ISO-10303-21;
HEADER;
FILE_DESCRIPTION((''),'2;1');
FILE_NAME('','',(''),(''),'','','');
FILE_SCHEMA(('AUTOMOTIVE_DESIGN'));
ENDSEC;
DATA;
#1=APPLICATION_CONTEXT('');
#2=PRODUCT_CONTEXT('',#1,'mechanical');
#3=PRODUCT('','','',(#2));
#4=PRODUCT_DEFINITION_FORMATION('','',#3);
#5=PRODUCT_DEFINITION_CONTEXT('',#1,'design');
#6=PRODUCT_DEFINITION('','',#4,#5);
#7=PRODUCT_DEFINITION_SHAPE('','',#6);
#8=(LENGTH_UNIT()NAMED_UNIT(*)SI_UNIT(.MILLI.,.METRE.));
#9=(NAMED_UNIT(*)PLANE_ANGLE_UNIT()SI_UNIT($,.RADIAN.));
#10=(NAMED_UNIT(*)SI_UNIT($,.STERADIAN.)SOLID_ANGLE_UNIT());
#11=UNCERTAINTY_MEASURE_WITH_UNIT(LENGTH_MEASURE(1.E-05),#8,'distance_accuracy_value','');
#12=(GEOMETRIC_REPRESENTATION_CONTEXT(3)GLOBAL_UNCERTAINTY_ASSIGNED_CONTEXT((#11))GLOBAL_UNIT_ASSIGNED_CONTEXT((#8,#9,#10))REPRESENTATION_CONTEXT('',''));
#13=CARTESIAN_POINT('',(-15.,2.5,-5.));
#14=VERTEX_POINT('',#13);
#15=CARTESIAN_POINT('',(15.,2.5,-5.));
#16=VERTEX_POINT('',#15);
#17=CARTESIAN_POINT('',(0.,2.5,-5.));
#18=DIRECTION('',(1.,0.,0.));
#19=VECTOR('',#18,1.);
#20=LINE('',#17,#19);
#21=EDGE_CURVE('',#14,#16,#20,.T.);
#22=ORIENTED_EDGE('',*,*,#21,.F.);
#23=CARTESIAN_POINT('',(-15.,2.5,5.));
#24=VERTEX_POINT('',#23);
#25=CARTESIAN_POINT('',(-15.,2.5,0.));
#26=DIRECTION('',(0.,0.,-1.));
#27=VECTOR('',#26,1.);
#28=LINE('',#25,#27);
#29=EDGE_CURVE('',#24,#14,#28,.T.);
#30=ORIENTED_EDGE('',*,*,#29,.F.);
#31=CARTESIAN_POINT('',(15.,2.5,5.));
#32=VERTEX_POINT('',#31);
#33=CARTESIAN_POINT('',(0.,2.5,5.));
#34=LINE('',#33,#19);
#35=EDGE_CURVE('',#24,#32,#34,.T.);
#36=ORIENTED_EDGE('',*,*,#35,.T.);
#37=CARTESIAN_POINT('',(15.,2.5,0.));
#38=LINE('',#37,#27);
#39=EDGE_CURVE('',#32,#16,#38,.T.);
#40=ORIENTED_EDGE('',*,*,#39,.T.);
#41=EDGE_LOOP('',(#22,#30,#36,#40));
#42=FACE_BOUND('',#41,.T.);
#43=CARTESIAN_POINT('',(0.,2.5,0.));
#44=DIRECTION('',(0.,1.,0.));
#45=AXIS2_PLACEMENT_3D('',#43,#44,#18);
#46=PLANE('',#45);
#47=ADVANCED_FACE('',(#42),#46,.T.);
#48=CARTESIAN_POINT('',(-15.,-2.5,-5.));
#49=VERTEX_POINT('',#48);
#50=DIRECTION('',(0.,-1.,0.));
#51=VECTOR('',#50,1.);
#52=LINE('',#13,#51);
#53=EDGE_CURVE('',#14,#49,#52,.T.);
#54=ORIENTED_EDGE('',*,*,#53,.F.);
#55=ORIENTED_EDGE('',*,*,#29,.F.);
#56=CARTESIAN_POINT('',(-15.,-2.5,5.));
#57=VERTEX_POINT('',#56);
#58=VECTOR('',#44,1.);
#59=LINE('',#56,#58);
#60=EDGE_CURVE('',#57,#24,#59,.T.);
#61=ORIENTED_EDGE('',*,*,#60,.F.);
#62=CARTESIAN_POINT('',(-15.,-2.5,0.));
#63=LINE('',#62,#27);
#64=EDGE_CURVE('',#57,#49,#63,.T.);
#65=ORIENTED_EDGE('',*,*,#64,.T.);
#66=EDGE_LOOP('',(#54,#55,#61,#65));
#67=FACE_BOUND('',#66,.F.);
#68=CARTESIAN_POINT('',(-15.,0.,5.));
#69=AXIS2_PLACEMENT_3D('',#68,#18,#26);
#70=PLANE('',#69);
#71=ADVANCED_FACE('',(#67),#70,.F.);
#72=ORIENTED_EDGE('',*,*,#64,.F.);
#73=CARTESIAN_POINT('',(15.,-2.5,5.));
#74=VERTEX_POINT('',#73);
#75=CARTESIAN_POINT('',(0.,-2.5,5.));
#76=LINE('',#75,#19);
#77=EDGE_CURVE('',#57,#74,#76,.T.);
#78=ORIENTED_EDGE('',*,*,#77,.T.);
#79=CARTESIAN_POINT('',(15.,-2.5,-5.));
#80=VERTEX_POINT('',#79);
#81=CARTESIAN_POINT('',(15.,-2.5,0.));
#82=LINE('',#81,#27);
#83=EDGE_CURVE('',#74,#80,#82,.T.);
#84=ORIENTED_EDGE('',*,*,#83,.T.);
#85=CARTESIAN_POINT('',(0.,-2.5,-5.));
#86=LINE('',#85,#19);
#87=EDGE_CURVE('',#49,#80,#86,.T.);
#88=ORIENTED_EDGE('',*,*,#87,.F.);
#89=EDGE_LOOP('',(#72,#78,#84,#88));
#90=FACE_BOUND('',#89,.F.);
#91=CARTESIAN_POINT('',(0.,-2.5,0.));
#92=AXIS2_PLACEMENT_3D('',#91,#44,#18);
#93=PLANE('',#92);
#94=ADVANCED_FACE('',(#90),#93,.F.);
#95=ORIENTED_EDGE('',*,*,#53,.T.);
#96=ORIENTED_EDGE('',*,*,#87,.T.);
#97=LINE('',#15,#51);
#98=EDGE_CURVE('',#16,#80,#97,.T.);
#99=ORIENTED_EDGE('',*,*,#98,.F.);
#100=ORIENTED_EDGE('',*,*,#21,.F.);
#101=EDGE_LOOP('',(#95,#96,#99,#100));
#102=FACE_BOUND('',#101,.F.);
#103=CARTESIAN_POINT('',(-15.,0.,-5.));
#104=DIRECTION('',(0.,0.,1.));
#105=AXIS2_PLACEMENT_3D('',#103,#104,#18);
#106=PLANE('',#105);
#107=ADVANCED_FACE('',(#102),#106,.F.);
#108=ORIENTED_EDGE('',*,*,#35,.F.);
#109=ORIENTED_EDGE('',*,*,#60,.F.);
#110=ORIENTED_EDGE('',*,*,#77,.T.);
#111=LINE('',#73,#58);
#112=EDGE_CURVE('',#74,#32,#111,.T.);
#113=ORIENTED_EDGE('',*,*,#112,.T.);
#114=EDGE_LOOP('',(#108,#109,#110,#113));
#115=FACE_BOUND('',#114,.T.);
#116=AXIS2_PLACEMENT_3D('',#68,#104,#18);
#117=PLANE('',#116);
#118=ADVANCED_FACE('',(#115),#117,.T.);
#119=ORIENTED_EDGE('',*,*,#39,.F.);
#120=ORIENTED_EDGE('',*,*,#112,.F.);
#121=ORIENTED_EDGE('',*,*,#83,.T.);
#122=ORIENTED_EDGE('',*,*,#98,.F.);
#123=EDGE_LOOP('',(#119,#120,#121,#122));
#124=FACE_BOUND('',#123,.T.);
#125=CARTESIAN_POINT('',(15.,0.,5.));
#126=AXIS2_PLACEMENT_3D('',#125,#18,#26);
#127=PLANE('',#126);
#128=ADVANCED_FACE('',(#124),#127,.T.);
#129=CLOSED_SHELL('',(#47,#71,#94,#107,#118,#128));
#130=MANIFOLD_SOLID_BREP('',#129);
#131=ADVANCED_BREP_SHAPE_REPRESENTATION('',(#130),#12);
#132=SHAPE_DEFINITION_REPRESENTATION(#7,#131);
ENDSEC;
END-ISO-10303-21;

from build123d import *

# Parameters (mm, degrees)
SKETCH1_W           = 30
SKETCH1_H           = 10
BOSS_EXTRUDE1_DEPTH = 2.5


with BuildPart() as part:
    # Sketch1 → Boss-Extrude1 (new body, symmetric)
    with BuildSketch(Plane(origin=(0, 0, 0), x_dir=(1, 0, 0), z_dir=(0, 1, 0))):
        Rectangle(SKETCH1_W, SKETCH1_H)
    extrude(amount=BOSS_EXTRUDE1_DEPTH, both=True)


solid = part.part
